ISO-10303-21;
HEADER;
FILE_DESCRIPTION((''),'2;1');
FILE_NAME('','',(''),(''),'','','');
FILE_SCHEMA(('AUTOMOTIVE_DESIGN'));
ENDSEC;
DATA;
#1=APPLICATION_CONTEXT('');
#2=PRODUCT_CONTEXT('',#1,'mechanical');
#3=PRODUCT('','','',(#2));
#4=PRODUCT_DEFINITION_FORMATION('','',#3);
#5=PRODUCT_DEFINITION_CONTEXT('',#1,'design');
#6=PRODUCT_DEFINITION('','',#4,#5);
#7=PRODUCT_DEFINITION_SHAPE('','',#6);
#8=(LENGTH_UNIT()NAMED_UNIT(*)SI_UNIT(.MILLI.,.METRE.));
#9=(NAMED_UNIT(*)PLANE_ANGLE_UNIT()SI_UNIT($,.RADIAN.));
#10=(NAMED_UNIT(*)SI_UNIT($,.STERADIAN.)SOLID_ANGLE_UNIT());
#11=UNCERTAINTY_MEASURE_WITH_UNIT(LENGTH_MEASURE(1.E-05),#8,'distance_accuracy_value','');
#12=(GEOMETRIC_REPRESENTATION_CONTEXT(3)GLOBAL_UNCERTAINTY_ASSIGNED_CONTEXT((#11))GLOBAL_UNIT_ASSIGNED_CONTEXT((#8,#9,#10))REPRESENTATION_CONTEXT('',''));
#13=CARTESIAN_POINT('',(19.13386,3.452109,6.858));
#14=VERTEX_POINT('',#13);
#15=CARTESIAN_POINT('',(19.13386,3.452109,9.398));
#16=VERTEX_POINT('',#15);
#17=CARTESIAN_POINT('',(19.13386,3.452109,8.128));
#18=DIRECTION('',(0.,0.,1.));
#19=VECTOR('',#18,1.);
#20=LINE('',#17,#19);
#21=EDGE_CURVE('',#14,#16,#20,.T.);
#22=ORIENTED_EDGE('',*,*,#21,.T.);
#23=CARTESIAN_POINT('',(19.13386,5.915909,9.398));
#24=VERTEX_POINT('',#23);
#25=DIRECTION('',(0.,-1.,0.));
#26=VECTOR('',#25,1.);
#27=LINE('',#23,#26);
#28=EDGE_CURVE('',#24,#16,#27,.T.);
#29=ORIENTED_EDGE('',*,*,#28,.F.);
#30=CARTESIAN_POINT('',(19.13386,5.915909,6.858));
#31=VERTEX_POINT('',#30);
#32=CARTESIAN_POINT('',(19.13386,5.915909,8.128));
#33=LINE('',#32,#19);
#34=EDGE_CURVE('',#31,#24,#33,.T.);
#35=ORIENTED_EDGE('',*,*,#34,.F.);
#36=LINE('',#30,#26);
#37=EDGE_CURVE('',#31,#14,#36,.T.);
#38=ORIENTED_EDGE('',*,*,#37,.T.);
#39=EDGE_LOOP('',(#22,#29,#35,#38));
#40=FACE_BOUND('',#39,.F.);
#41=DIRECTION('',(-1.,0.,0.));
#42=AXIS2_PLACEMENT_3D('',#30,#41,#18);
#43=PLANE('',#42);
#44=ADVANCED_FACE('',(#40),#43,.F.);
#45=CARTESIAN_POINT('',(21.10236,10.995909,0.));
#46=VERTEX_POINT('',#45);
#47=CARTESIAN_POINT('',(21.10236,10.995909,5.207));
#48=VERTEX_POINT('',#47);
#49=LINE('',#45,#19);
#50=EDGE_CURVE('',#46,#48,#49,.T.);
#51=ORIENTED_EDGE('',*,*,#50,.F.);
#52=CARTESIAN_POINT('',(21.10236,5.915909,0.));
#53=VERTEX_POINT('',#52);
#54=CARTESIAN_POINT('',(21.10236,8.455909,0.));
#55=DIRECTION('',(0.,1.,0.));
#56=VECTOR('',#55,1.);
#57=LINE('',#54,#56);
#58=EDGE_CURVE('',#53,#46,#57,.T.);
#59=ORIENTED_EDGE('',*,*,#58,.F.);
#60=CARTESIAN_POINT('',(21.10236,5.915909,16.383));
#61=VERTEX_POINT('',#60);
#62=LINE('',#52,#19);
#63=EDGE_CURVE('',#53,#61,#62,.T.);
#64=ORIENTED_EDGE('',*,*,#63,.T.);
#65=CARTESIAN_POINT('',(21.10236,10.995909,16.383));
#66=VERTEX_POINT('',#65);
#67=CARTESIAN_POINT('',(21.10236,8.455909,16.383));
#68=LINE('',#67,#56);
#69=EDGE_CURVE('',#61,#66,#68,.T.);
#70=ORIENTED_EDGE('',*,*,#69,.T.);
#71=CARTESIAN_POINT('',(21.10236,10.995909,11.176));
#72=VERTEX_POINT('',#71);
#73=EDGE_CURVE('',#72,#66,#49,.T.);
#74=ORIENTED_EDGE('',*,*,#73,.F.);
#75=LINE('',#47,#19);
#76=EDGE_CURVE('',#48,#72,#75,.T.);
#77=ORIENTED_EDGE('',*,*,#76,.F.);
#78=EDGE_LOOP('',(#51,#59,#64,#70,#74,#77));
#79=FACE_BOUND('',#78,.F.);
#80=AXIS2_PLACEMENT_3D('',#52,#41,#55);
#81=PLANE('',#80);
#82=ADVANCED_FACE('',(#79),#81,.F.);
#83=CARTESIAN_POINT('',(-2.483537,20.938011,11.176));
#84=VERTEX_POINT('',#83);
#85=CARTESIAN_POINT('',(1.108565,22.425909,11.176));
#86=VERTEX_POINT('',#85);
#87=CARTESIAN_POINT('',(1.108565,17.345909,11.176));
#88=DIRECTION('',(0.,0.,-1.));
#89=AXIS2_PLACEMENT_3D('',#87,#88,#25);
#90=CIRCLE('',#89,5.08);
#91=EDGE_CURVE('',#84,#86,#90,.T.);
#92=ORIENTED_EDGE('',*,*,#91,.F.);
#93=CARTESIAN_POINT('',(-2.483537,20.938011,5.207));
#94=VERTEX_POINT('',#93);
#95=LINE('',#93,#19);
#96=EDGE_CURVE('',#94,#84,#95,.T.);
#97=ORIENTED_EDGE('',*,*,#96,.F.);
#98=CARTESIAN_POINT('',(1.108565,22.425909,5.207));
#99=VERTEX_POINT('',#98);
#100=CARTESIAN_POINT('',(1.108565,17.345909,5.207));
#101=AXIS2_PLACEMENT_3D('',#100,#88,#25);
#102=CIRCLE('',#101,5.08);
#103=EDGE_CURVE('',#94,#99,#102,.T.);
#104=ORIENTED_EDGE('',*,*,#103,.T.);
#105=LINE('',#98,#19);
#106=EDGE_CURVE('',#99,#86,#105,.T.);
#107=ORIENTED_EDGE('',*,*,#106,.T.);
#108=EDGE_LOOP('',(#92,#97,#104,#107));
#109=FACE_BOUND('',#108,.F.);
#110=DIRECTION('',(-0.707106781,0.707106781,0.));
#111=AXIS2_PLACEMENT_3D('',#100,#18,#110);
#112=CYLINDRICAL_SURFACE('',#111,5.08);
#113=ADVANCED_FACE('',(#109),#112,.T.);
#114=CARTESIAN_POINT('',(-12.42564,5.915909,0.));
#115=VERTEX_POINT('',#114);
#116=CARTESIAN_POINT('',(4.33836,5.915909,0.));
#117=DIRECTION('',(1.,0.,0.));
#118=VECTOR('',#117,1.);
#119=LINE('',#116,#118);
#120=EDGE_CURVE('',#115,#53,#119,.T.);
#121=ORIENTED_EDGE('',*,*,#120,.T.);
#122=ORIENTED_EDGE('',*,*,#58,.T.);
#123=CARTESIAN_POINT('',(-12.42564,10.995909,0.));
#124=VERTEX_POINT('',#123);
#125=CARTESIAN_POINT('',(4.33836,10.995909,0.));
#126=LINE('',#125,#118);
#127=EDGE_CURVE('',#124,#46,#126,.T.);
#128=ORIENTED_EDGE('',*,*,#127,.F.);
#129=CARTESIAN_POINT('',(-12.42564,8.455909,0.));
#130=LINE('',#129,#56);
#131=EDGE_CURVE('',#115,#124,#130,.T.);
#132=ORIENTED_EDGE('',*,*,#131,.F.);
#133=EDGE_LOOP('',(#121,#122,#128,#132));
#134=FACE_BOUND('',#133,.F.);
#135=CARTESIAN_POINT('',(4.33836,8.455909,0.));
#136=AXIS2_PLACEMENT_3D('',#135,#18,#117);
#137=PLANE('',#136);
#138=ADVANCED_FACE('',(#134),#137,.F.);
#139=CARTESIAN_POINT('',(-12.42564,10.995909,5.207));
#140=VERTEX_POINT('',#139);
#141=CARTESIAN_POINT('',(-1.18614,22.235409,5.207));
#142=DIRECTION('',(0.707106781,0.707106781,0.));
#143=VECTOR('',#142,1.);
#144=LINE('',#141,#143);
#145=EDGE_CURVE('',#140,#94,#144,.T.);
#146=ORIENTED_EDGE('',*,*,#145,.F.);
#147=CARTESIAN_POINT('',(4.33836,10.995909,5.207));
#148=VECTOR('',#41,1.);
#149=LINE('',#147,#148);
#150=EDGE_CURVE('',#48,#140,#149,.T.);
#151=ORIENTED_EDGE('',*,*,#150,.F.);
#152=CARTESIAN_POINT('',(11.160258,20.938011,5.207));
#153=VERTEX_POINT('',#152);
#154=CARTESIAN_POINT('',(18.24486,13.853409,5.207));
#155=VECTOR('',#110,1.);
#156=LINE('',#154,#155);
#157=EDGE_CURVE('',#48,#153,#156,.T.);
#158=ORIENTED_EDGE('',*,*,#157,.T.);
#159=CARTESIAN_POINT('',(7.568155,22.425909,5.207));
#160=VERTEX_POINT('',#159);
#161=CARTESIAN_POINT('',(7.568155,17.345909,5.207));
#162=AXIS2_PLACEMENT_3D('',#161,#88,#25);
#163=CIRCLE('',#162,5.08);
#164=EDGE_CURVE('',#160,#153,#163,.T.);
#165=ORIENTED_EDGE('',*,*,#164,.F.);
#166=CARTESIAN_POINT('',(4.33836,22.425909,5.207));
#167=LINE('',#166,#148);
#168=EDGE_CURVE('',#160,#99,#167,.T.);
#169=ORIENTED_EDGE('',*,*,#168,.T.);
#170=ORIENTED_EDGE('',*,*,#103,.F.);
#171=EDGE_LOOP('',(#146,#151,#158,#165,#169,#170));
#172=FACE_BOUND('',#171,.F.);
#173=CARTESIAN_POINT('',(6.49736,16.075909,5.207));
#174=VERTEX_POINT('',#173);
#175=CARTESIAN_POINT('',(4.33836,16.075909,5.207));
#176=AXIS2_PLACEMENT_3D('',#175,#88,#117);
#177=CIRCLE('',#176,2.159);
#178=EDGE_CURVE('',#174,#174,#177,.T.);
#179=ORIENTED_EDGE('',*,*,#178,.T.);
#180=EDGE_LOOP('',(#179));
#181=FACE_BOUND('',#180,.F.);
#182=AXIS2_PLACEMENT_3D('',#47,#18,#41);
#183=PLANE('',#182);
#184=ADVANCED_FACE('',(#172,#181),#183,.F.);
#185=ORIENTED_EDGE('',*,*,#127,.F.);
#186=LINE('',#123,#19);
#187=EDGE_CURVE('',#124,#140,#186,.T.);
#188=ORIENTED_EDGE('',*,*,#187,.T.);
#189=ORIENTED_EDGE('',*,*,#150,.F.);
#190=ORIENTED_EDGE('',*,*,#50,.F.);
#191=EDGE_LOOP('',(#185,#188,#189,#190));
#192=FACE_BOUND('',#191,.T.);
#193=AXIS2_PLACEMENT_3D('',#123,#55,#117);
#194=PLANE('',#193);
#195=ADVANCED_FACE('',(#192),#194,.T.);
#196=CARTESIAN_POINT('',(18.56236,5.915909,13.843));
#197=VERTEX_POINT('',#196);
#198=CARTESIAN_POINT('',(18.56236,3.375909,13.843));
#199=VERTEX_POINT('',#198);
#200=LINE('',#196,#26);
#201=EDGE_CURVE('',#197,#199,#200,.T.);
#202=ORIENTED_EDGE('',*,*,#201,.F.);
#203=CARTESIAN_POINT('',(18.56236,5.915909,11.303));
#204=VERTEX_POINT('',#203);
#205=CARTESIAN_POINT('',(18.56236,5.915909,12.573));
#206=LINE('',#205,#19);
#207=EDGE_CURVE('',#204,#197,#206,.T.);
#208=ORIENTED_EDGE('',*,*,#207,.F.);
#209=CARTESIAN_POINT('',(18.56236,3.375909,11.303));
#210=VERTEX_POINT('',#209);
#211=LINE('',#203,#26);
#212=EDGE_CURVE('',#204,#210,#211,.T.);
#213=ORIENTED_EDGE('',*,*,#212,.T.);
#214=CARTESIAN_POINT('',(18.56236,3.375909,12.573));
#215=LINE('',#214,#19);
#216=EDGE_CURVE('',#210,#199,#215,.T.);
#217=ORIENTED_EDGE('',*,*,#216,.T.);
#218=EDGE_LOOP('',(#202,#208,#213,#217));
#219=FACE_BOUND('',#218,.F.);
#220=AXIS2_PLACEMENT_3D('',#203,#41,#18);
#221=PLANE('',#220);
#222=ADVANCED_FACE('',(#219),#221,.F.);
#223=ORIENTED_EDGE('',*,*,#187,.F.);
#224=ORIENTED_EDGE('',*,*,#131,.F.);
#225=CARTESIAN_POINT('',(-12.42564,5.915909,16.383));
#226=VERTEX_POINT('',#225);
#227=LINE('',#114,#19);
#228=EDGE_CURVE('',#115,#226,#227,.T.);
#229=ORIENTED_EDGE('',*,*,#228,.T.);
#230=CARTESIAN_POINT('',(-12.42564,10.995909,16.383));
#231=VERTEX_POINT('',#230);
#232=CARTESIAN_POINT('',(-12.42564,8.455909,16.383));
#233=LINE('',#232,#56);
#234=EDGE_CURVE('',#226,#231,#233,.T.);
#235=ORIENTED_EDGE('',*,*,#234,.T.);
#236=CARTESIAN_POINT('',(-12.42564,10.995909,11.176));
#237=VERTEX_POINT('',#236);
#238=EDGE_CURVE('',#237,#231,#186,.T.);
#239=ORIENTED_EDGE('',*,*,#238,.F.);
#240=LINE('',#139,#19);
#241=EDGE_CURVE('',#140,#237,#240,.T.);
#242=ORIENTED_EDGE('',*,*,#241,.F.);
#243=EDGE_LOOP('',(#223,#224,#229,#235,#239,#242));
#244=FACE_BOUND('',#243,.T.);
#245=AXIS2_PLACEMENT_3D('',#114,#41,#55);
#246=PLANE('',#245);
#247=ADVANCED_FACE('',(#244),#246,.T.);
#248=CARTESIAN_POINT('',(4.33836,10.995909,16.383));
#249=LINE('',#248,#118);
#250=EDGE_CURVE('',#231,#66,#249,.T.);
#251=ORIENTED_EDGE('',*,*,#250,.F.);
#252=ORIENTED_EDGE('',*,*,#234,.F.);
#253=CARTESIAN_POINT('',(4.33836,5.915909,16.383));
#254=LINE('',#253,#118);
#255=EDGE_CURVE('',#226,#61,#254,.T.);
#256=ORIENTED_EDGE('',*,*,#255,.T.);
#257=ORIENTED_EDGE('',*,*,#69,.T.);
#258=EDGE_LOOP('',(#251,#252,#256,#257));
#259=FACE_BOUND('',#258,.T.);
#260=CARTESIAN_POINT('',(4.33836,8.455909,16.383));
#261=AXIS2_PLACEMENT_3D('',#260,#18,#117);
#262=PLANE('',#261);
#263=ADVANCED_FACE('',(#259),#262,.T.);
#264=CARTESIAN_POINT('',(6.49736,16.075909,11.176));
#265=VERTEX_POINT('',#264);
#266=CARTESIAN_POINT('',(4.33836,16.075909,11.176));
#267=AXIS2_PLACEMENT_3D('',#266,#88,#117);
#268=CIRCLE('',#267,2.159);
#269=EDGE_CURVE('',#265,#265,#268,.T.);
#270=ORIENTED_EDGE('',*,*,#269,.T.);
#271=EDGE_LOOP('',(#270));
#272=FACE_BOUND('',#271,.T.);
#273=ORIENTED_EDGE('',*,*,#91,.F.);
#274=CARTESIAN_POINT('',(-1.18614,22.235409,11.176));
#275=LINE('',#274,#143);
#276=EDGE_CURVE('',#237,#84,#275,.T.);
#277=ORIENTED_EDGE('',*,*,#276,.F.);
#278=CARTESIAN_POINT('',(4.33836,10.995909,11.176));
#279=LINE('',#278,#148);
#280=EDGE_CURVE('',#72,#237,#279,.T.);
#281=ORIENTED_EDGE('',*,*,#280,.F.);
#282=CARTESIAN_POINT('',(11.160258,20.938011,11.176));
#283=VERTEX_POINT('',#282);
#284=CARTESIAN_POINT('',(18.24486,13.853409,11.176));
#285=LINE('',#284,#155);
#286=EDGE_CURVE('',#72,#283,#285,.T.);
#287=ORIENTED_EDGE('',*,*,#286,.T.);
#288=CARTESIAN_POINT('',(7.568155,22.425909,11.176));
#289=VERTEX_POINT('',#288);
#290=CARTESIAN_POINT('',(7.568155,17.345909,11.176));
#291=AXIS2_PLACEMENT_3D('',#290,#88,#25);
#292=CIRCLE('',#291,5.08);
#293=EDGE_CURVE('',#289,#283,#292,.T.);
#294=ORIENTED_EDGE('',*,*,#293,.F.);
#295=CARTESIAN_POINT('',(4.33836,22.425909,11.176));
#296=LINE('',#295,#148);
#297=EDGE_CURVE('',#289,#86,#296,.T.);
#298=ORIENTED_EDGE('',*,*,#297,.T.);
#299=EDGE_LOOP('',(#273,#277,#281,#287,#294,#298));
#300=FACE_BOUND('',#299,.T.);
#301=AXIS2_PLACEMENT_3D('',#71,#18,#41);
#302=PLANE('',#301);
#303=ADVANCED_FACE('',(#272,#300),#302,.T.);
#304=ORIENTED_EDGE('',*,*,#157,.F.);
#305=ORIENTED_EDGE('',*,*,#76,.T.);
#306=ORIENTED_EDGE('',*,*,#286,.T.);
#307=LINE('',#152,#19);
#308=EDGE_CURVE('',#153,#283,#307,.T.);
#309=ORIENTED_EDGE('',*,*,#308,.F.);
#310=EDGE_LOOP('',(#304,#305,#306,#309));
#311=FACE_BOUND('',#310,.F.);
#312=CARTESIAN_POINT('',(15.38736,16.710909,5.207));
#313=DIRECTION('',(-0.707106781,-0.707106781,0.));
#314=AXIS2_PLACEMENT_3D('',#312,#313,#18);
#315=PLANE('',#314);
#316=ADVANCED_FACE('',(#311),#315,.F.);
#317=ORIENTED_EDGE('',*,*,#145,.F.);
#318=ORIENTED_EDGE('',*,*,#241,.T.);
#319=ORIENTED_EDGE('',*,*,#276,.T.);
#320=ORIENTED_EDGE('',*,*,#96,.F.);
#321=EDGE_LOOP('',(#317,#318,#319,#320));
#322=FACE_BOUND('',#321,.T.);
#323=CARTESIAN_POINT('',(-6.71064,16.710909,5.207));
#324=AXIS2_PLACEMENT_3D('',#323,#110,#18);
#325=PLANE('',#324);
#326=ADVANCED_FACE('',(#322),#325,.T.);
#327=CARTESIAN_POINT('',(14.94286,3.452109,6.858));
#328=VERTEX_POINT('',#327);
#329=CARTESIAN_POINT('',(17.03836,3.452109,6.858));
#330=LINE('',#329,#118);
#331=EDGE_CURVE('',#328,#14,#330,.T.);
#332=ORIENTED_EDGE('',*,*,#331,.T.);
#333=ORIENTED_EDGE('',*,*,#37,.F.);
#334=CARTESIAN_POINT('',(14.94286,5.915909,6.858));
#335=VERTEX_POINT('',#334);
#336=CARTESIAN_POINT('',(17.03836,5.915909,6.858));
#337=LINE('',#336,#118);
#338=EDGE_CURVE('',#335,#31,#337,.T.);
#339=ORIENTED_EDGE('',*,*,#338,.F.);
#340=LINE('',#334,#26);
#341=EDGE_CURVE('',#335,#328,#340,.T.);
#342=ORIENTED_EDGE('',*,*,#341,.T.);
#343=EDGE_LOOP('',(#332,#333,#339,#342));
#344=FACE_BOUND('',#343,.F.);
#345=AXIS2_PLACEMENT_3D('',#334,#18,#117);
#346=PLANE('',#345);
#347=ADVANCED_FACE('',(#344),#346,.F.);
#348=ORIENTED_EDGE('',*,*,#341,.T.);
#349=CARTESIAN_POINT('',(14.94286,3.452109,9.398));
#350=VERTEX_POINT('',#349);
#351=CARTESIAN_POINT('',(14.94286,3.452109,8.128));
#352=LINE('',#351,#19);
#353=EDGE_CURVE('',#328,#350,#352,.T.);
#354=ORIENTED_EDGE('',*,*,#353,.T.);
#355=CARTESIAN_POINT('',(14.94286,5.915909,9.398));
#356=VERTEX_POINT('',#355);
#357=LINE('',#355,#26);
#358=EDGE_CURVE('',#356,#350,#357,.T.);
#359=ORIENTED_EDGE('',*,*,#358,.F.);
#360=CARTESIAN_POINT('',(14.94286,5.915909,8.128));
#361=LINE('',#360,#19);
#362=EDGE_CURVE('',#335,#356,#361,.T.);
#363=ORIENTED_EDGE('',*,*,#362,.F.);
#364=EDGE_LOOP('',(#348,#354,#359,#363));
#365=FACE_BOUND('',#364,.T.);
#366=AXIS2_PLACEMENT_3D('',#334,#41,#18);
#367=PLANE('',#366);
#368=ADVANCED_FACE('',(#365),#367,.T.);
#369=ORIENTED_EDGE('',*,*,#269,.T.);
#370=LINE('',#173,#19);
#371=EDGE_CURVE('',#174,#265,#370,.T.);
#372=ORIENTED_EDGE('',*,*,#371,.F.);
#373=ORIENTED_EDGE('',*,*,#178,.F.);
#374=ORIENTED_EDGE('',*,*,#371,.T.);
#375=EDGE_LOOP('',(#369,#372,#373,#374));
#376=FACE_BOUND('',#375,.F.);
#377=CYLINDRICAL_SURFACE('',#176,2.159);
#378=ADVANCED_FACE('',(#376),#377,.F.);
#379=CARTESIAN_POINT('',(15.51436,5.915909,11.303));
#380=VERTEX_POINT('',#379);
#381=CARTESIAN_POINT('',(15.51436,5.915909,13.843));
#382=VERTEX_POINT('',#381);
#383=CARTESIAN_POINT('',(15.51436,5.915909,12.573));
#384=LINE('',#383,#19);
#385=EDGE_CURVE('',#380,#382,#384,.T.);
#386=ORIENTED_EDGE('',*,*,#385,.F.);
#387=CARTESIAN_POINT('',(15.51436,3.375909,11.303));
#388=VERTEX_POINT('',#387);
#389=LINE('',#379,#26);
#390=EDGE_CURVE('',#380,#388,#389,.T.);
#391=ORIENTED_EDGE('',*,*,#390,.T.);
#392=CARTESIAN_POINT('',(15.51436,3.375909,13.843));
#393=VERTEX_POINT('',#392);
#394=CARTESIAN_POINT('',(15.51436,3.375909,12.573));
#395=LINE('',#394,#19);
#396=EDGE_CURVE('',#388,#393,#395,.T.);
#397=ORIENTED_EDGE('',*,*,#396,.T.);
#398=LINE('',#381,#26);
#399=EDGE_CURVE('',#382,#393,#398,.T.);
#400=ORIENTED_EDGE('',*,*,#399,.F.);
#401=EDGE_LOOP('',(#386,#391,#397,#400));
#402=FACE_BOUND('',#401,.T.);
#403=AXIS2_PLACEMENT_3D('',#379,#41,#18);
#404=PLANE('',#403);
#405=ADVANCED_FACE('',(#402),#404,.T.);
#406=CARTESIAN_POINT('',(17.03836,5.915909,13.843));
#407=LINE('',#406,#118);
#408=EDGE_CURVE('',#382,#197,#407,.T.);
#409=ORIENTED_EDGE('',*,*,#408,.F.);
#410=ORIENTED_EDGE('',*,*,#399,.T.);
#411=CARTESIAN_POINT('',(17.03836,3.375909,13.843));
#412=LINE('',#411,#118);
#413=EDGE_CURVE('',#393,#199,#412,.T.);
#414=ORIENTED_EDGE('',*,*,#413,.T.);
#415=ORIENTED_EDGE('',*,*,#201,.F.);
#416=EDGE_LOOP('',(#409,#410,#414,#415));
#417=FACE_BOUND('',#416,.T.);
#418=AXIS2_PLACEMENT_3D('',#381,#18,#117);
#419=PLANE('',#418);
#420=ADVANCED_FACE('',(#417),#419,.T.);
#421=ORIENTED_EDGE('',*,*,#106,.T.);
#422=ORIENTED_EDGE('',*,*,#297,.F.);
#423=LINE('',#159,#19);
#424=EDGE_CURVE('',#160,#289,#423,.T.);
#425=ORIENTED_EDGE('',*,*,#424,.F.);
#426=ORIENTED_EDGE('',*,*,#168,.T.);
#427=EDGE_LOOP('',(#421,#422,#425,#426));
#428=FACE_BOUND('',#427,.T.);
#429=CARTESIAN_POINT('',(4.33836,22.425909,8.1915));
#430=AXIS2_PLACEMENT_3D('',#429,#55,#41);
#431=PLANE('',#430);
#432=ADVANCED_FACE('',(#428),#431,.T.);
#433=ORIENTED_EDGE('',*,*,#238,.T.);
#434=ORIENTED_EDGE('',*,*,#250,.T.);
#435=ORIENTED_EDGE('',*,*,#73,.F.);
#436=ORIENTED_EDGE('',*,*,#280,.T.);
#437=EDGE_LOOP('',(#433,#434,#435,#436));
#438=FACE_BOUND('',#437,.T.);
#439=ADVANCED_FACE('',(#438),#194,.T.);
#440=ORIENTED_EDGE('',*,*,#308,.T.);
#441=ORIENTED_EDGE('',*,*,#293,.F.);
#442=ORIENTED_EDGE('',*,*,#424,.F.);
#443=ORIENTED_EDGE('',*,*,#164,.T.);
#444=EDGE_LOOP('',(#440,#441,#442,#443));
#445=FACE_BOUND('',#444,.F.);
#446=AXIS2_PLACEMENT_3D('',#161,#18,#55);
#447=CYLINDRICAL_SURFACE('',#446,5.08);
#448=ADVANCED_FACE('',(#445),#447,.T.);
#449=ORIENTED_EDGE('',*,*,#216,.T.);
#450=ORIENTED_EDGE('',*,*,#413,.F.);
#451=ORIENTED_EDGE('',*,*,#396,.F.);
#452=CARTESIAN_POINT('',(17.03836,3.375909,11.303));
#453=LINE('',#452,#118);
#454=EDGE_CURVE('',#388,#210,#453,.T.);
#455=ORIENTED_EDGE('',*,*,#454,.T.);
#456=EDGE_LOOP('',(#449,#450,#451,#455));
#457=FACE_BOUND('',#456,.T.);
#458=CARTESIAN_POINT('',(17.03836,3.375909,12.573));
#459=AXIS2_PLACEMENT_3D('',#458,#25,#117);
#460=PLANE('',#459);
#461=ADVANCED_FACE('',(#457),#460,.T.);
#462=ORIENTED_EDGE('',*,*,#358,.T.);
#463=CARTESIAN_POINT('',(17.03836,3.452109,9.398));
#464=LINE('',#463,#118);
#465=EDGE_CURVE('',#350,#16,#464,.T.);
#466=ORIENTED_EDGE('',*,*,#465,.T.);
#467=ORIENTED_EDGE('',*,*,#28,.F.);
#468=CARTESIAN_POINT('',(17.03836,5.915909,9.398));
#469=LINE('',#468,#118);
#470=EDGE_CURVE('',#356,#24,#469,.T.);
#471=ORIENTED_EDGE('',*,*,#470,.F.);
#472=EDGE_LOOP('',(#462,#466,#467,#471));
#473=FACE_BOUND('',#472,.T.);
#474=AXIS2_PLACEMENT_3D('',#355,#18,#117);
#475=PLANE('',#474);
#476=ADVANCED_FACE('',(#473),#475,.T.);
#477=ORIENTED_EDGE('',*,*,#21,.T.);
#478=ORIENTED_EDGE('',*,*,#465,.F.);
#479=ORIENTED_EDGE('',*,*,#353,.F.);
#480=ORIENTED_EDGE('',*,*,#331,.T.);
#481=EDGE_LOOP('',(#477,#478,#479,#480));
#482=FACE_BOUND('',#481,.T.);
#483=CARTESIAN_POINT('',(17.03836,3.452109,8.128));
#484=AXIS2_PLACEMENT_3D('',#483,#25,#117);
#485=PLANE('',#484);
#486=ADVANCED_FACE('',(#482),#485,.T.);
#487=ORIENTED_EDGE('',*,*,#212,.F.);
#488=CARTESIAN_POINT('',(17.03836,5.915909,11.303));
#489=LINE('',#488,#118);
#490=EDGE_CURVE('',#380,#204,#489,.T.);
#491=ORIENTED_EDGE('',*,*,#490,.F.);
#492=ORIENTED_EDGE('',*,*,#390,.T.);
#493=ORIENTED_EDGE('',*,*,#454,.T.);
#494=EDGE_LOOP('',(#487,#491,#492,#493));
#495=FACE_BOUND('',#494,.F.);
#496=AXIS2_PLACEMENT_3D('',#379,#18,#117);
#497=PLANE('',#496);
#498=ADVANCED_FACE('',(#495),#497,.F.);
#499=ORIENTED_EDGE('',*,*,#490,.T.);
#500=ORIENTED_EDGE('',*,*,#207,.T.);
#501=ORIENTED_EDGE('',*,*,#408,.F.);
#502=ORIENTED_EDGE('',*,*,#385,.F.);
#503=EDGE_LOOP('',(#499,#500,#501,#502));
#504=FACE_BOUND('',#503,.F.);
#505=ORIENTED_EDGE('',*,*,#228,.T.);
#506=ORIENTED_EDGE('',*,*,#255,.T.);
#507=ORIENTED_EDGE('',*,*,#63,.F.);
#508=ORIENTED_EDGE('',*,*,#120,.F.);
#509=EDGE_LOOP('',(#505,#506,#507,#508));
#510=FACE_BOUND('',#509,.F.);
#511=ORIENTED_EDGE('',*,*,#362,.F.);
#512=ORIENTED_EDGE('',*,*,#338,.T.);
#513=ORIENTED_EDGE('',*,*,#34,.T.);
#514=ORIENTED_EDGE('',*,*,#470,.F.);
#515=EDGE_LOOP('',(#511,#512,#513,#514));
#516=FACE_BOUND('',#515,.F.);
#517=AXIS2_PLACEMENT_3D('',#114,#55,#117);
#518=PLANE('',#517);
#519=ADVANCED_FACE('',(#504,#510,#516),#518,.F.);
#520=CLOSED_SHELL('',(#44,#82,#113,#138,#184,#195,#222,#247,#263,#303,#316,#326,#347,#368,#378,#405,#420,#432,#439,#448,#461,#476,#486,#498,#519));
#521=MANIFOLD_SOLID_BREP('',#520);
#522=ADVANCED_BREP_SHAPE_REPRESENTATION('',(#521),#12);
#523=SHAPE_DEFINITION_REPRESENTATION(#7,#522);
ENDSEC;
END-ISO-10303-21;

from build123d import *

# Parameters (mm, degrees)
F0_W      = 33.528
F0_H      = 5.08
F1_DEPTH  = 16.383
F2_W      = 33.528
F2_H      = 5.969
F3_DEPTH  = 11.43
F4_SIZE   = 11.43
F5_R      = 2.159
F6_DEPTH  = 25.4
F7_W      = 3.048
F7_H      = 2.54
F8_DEPTH  = 2.54
F9_W      = 4.191
F9_H      = 2.54
F10_DEPTH = 2.4638
F11_R     = 5.08


with BuildPart() as f1:
    # F0 (on Top) → F1 (new body)
    with BuildSketch(Plane.XY):
        with Locations((4.3383603916, 8.4559087365)):
            Rectangle(F0_W, F0_H)
    extrude(amount=F1_DEPTH)

    # F2 (on face) → F3 (join)
    with BuildSketch(Plane(origin=(0, 10.9959087365, 0), x_dir=(-1, 0, 0), z_dir=(0, 1, 0))):
        with Locations((-4.3383603916, 8.1915)):
            Rectangle(F2_W, F2_H)
    extrude(amount=F3_DEPTH)

    # F4
    f4_edges = [f1.edges().sort_by_distance(p)[0] for p in [
        (-12.42564, 22.425909, 8.1915),
        (21.10236, 22.425909, 8.1915),
    ]]
    chamfer(f4_edges, length=F4_SIZE)

    # F5 (on face) → F6 (cut)
    with BuildSketch(Plane(origin=(0, 0, 5.207), x_dir=(1, 0, 0), z_dir=(0, 0, -1))):
        with Locations((4.3383603916, -16.0759087365)):
            Circle(F5_R)
    extrude(amount=-F6_DEPTH, mode=Mode.SUBTRACT)

    # F7 (on face) → F8 (join)
    with BuildSketch(Plane.XZ.offset(-5.9159087365)):
        with Locations((17.0383603916, 12.573)):
            Rectangle(F7_W, F7_H)
    extrude(amount=F8_DEPTH)

    # F9 (on face) → F10 (join)
    with BuildSketch(Plane.XZ.offset(-5.9159087365)):
        with Locations((17.0383603916, 8.128)):
            Rectangle(F9_W, F9_H)
    extrude(amount=F10_DEPTH)

    # F11
    f11_edges = [f1.edges().sort_by_distance(p)[0] for p in [
        (-0.99564, 22.425909, 8.1915),
        (9.67236, 22.425909, 8.1915),
    ]]
    fillet(f11_edges, radius=F11_R)


solid = f1.part
